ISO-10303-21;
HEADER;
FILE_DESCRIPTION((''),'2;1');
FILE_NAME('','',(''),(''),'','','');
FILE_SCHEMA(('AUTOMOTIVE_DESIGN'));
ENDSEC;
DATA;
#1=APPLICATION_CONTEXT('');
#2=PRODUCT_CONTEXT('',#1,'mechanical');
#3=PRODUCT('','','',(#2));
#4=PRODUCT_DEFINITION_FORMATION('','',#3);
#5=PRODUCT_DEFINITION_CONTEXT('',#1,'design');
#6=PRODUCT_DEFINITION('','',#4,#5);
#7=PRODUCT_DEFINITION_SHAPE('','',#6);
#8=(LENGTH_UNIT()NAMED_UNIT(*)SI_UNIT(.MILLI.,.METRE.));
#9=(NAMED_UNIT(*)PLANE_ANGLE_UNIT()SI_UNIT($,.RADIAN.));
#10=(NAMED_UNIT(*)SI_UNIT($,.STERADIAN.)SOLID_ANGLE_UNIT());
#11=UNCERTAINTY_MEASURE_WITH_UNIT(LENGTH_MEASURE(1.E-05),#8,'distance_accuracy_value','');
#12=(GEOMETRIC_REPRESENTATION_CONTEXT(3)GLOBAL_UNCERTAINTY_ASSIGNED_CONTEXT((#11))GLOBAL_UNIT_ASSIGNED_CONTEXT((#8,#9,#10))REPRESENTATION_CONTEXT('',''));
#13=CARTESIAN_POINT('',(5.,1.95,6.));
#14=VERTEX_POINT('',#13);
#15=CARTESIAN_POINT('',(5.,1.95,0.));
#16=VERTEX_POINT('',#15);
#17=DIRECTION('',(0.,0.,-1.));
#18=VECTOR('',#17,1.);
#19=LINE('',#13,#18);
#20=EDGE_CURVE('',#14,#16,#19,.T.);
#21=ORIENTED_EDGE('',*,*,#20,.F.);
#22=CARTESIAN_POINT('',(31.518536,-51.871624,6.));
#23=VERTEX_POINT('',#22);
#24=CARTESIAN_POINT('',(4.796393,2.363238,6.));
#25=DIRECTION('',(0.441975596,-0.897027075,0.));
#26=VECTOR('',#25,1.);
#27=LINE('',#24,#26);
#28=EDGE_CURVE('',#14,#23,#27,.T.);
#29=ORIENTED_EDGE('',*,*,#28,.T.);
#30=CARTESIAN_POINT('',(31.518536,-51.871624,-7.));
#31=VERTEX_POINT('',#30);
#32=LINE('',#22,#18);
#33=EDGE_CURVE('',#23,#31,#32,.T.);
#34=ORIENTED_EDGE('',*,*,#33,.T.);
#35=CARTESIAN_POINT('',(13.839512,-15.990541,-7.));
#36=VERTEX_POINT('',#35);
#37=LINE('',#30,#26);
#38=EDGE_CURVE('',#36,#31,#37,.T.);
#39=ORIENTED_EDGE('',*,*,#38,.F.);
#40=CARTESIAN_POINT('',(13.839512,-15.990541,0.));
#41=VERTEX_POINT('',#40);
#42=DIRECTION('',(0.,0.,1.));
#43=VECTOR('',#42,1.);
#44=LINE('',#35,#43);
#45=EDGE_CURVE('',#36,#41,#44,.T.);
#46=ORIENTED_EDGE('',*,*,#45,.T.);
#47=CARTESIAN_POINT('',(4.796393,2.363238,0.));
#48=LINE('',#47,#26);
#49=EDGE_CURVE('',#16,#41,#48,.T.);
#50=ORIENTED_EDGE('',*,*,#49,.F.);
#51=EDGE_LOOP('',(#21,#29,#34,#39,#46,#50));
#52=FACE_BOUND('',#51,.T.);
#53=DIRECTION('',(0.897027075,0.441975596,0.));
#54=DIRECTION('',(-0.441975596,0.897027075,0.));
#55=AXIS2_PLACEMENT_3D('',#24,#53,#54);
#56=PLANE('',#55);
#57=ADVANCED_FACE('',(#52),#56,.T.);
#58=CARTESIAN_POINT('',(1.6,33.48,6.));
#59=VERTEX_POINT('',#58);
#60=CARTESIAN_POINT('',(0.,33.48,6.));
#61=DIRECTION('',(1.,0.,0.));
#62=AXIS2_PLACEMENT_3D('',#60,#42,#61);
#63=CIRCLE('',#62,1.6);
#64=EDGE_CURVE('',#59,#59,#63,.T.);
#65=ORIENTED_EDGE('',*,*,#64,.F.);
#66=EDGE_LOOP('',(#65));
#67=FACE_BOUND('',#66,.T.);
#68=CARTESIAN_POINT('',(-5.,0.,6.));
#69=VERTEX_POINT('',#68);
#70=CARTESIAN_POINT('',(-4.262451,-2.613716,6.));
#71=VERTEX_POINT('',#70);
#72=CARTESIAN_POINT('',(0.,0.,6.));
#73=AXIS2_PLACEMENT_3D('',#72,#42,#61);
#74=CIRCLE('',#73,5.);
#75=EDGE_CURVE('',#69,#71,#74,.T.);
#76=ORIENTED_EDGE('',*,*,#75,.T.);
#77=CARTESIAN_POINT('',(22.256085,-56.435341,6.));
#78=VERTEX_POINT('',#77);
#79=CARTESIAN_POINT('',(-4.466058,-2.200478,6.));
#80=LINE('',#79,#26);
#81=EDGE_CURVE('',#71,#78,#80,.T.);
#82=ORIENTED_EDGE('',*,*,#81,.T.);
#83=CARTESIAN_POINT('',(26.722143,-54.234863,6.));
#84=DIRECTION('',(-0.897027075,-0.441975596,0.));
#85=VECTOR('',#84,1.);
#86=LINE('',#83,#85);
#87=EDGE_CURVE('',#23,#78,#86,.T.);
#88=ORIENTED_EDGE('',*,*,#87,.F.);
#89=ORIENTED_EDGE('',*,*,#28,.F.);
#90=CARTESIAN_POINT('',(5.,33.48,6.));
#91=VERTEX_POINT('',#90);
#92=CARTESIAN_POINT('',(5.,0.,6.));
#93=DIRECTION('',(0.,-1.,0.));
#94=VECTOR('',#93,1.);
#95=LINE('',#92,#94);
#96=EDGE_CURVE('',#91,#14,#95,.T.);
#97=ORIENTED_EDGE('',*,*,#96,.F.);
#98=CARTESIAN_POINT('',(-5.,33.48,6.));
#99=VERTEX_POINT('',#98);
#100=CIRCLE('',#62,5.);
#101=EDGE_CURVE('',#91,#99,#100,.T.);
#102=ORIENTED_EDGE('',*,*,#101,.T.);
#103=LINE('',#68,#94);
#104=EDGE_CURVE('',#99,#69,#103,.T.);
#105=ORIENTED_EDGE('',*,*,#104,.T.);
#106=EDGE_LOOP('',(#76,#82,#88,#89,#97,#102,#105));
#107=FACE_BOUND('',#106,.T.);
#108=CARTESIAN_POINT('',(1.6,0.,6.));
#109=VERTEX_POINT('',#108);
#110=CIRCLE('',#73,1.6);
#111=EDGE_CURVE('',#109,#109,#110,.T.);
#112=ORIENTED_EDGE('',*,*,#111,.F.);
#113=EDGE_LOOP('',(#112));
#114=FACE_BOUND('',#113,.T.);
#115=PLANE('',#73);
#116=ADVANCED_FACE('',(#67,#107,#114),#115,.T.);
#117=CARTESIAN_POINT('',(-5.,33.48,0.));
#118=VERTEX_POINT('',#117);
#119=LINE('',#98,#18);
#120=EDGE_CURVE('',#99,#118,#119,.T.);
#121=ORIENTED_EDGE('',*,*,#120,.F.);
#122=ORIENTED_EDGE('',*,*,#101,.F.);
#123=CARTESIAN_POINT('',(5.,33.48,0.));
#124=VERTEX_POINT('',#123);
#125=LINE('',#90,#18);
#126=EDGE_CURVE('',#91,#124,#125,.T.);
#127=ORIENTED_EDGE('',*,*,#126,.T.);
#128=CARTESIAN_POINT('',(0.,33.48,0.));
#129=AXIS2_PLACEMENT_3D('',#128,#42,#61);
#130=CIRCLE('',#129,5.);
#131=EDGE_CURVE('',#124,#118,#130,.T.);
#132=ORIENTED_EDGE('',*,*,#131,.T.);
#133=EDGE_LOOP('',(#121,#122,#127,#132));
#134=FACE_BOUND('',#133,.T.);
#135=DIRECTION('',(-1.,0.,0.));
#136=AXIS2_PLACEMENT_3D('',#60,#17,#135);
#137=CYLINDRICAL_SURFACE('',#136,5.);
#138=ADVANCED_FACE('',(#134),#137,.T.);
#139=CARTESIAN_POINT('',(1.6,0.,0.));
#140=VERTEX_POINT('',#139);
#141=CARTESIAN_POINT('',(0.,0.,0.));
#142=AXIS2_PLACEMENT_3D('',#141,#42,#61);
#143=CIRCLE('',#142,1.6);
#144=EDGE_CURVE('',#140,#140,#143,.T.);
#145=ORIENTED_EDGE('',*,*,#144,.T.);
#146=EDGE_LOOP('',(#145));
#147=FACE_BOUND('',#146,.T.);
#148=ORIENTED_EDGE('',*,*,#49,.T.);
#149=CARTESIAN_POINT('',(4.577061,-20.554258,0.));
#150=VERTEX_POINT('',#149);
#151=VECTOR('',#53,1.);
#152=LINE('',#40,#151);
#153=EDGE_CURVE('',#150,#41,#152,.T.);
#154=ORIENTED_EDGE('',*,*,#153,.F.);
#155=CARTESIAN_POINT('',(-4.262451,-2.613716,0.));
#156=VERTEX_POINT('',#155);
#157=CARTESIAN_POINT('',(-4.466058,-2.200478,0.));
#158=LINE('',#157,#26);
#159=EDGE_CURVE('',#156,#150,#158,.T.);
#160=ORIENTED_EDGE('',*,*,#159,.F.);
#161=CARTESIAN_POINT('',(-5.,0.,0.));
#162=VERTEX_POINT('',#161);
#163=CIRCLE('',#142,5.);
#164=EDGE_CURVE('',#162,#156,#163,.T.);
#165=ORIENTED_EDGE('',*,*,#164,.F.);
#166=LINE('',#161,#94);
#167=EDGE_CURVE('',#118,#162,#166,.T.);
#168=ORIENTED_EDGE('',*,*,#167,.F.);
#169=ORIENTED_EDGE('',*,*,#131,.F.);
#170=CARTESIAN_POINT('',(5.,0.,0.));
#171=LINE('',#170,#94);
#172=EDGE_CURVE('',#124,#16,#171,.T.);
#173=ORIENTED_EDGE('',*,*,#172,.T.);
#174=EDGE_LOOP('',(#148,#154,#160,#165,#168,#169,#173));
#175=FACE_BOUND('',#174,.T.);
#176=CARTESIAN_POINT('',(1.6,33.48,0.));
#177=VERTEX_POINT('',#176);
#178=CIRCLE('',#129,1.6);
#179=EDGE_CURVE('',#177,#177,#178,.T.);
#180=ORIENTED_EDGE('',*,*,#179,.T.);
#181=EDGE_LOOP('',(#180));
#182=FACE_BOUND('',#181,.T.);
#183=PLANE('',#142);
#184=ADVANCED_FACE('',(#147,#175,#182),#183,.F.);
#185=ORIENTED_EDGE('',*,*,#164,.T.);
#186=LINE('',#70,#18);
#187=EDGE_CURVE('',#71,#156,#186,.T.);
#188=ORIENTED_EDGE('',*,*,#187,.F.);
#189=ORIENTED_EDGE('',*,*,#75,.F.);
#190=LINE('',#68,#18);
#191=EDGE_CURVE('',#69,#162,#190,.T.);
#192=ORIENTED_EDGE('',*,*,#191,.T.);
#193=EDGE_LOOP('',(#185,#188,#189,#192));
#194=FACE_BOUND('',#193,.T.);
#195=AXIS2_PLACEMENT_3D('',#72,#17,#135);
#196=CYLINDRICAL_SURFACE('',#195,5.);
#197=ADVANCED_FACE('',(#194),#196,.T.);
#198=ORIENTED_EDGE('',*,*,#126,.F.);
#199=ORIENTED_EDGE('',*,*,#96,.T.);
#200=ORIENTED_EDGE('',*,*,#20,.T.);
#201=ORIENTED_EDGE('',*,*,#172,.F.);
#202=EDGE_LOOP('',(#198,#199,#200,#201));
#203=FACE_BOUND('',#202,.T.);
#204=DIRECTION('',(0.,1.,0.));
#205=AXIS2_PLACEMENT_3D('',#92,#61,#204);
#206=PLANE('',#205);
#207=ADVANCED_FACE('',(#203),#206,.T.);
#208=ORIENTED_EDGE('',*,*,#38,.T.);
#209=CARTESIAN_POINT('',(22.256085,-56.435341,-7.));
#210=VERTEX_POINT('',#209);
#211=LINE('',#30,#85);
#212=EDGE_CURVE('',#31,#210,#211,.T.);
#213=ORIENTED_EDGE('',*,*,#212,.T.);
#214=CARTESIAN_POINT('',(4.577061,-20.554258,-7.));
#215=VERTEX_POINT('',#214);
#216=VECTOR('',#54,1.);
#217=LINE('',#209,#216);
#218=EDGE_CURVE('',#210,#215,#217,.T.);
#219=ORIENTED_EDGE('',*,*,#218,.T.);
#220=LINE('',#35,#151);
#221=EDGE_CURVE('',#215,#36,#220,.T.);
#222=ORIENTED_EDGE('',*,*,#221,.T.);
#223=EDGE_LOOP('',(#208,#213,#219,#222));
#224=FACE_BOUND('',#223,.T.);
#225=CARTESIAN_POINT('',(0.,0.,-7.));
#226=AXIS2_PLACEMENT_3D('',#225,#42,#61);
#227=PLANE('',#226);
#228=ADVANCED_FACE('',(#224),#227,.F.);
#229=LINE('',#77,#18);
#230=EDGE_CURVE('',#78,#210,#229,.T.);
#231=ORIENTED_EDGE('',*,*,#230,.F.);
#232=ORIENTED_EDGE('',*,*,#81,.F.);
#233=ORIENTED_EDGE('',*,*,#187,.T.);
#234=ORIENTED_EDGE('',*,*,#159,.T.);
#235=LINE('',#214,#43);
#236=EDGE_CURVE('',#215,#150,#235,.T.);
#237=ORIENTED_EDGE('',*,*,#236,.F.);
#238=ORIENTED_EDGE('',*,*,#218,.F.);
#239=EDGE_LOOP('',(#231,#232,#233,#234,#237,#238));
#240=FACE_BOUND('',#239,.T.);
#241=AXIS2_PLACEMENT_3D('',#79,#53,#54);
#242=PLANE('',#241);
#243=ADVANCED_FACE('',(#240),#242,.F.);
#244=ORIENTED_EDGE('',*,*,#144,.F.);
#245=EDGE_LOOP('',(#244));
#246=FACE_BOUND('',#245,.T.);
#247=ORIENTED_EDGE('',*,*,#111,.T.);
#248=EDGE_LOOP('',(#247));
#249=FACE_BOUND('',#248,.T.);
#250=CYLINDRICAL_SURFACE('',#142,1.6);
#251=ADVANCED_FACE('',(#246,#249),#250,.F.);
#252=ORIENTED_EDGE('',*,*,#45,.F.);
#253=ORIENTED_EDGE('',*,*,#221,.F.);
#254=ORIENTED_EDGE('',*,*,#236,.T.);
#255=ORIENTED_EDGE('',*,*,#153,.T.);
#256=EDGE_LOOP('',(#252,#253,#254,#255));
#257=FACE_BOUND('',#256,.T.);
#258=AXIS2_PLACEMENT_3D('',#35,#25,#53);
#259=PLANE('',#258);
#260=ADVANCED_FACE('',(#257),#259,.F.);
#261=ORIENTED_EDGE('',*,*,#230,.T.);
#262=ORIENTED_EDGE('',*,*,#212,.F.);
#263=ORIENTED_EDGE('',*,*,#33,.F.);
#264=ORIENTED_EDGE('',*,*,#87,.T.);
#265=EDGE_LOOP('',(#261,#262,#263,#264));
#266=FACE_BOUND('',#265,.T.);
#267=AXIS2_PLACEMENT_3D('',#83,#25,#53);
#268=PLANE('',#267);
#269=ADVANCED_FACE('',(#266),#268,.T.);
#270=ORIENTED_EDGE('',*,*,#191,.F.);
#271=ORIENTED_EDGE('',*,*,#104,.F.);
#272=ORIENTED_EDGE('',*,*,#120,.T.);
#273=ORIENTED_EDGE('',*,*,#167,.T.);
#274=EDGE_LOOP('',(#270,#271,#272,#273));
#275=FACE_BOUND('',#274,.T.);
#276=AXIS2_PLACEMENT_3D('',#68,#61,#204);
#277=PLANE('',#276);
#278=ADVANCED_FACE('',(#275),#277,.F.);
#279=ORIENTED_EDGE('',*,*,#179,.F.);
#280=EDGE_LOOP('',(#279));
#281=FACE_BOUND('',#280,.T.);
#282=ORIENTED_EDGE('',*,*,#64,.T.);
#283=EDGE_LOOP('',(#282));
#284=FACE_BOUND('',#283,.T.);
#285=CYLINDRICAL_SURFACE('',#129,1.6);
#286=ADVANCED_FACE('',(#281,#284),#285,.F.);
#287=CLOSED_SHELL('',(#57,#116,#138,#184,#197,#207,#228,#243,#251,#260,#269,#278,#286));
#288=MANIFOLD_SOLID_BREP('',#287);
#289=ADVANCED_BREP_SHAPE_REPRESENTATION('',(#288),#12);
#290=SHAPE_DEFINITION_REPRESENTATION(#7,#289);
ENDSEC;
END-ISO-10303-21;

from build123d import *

# Parameters (mm, degrees)
SALIENTE_EXTRUIR1_DEPTH = 6
CROQUIS2_R              = 1.6
CORTAR_EXTRUIR1_DEPTH   = 65.918146911
SALIENTE_EXTRUIR2_DEPTH = 7


with BuildPart() as part:
    # Croquis1 → Saliente-Extruir1 (new body)
    with BuildSketch(Plane.XY):
        with BuildLine():
            Line((-5, 33.48), (-5, 0))
            ThreePointArc((-5, 0), (0, -5), (5, 0))
            Line((5, 0), (5, 33.48))
            ThreePointArc((5, 33.48), (0, 38.48), (-5, 33.48))
        make_face()
        with BuildLine():
            ThreePointArc((5, 0), (1.357892891, -4.812081348), (-4.262450759, -2.613716421))
            Line((-4.262450759, -2.613716421), (22.256084979, -56.435340907))
            Line((22.256084979, -56.435340907), (31.518535738, -51.871624486))
            Line((31.518535738, -51.871624486), (5, 1.95))
            Line((5, 1.95), (5, 0))
        make_face()
    extrude(amount=SALIENTE_EXTRUIR1_DEPTH)

    # Croquis2 → Cortar-Extruir1 (cut, through all)
    with BuildSketch(Plane.XY.offset(6)):
        with Locations((0, 33.48)):
            Circle(CROQUIS2_R)
        Circle(CROQUIS2_R)
    extrude(amount=-CORTAR_EXTRUIR1_DEPTH, mode=Mode.SUBTRACT)

    # Croquis3 → Saliente-Extruir2 (add)
    with BuildSketch(Plane(origin=(0, 0, 0), x_dir=(-1, 0, 0), z_dir=(0, 0, -1))):
        Polygon((-31.518535738, -51.871624486), (-22.256084979, -56.435340907), (-4.577061154, -20.554257916), (-13.839511913, -15.990541495), align=None)
    extrude(amount=SALIENTE_EXTRUIR2_DEPTH)


solid = part.part
